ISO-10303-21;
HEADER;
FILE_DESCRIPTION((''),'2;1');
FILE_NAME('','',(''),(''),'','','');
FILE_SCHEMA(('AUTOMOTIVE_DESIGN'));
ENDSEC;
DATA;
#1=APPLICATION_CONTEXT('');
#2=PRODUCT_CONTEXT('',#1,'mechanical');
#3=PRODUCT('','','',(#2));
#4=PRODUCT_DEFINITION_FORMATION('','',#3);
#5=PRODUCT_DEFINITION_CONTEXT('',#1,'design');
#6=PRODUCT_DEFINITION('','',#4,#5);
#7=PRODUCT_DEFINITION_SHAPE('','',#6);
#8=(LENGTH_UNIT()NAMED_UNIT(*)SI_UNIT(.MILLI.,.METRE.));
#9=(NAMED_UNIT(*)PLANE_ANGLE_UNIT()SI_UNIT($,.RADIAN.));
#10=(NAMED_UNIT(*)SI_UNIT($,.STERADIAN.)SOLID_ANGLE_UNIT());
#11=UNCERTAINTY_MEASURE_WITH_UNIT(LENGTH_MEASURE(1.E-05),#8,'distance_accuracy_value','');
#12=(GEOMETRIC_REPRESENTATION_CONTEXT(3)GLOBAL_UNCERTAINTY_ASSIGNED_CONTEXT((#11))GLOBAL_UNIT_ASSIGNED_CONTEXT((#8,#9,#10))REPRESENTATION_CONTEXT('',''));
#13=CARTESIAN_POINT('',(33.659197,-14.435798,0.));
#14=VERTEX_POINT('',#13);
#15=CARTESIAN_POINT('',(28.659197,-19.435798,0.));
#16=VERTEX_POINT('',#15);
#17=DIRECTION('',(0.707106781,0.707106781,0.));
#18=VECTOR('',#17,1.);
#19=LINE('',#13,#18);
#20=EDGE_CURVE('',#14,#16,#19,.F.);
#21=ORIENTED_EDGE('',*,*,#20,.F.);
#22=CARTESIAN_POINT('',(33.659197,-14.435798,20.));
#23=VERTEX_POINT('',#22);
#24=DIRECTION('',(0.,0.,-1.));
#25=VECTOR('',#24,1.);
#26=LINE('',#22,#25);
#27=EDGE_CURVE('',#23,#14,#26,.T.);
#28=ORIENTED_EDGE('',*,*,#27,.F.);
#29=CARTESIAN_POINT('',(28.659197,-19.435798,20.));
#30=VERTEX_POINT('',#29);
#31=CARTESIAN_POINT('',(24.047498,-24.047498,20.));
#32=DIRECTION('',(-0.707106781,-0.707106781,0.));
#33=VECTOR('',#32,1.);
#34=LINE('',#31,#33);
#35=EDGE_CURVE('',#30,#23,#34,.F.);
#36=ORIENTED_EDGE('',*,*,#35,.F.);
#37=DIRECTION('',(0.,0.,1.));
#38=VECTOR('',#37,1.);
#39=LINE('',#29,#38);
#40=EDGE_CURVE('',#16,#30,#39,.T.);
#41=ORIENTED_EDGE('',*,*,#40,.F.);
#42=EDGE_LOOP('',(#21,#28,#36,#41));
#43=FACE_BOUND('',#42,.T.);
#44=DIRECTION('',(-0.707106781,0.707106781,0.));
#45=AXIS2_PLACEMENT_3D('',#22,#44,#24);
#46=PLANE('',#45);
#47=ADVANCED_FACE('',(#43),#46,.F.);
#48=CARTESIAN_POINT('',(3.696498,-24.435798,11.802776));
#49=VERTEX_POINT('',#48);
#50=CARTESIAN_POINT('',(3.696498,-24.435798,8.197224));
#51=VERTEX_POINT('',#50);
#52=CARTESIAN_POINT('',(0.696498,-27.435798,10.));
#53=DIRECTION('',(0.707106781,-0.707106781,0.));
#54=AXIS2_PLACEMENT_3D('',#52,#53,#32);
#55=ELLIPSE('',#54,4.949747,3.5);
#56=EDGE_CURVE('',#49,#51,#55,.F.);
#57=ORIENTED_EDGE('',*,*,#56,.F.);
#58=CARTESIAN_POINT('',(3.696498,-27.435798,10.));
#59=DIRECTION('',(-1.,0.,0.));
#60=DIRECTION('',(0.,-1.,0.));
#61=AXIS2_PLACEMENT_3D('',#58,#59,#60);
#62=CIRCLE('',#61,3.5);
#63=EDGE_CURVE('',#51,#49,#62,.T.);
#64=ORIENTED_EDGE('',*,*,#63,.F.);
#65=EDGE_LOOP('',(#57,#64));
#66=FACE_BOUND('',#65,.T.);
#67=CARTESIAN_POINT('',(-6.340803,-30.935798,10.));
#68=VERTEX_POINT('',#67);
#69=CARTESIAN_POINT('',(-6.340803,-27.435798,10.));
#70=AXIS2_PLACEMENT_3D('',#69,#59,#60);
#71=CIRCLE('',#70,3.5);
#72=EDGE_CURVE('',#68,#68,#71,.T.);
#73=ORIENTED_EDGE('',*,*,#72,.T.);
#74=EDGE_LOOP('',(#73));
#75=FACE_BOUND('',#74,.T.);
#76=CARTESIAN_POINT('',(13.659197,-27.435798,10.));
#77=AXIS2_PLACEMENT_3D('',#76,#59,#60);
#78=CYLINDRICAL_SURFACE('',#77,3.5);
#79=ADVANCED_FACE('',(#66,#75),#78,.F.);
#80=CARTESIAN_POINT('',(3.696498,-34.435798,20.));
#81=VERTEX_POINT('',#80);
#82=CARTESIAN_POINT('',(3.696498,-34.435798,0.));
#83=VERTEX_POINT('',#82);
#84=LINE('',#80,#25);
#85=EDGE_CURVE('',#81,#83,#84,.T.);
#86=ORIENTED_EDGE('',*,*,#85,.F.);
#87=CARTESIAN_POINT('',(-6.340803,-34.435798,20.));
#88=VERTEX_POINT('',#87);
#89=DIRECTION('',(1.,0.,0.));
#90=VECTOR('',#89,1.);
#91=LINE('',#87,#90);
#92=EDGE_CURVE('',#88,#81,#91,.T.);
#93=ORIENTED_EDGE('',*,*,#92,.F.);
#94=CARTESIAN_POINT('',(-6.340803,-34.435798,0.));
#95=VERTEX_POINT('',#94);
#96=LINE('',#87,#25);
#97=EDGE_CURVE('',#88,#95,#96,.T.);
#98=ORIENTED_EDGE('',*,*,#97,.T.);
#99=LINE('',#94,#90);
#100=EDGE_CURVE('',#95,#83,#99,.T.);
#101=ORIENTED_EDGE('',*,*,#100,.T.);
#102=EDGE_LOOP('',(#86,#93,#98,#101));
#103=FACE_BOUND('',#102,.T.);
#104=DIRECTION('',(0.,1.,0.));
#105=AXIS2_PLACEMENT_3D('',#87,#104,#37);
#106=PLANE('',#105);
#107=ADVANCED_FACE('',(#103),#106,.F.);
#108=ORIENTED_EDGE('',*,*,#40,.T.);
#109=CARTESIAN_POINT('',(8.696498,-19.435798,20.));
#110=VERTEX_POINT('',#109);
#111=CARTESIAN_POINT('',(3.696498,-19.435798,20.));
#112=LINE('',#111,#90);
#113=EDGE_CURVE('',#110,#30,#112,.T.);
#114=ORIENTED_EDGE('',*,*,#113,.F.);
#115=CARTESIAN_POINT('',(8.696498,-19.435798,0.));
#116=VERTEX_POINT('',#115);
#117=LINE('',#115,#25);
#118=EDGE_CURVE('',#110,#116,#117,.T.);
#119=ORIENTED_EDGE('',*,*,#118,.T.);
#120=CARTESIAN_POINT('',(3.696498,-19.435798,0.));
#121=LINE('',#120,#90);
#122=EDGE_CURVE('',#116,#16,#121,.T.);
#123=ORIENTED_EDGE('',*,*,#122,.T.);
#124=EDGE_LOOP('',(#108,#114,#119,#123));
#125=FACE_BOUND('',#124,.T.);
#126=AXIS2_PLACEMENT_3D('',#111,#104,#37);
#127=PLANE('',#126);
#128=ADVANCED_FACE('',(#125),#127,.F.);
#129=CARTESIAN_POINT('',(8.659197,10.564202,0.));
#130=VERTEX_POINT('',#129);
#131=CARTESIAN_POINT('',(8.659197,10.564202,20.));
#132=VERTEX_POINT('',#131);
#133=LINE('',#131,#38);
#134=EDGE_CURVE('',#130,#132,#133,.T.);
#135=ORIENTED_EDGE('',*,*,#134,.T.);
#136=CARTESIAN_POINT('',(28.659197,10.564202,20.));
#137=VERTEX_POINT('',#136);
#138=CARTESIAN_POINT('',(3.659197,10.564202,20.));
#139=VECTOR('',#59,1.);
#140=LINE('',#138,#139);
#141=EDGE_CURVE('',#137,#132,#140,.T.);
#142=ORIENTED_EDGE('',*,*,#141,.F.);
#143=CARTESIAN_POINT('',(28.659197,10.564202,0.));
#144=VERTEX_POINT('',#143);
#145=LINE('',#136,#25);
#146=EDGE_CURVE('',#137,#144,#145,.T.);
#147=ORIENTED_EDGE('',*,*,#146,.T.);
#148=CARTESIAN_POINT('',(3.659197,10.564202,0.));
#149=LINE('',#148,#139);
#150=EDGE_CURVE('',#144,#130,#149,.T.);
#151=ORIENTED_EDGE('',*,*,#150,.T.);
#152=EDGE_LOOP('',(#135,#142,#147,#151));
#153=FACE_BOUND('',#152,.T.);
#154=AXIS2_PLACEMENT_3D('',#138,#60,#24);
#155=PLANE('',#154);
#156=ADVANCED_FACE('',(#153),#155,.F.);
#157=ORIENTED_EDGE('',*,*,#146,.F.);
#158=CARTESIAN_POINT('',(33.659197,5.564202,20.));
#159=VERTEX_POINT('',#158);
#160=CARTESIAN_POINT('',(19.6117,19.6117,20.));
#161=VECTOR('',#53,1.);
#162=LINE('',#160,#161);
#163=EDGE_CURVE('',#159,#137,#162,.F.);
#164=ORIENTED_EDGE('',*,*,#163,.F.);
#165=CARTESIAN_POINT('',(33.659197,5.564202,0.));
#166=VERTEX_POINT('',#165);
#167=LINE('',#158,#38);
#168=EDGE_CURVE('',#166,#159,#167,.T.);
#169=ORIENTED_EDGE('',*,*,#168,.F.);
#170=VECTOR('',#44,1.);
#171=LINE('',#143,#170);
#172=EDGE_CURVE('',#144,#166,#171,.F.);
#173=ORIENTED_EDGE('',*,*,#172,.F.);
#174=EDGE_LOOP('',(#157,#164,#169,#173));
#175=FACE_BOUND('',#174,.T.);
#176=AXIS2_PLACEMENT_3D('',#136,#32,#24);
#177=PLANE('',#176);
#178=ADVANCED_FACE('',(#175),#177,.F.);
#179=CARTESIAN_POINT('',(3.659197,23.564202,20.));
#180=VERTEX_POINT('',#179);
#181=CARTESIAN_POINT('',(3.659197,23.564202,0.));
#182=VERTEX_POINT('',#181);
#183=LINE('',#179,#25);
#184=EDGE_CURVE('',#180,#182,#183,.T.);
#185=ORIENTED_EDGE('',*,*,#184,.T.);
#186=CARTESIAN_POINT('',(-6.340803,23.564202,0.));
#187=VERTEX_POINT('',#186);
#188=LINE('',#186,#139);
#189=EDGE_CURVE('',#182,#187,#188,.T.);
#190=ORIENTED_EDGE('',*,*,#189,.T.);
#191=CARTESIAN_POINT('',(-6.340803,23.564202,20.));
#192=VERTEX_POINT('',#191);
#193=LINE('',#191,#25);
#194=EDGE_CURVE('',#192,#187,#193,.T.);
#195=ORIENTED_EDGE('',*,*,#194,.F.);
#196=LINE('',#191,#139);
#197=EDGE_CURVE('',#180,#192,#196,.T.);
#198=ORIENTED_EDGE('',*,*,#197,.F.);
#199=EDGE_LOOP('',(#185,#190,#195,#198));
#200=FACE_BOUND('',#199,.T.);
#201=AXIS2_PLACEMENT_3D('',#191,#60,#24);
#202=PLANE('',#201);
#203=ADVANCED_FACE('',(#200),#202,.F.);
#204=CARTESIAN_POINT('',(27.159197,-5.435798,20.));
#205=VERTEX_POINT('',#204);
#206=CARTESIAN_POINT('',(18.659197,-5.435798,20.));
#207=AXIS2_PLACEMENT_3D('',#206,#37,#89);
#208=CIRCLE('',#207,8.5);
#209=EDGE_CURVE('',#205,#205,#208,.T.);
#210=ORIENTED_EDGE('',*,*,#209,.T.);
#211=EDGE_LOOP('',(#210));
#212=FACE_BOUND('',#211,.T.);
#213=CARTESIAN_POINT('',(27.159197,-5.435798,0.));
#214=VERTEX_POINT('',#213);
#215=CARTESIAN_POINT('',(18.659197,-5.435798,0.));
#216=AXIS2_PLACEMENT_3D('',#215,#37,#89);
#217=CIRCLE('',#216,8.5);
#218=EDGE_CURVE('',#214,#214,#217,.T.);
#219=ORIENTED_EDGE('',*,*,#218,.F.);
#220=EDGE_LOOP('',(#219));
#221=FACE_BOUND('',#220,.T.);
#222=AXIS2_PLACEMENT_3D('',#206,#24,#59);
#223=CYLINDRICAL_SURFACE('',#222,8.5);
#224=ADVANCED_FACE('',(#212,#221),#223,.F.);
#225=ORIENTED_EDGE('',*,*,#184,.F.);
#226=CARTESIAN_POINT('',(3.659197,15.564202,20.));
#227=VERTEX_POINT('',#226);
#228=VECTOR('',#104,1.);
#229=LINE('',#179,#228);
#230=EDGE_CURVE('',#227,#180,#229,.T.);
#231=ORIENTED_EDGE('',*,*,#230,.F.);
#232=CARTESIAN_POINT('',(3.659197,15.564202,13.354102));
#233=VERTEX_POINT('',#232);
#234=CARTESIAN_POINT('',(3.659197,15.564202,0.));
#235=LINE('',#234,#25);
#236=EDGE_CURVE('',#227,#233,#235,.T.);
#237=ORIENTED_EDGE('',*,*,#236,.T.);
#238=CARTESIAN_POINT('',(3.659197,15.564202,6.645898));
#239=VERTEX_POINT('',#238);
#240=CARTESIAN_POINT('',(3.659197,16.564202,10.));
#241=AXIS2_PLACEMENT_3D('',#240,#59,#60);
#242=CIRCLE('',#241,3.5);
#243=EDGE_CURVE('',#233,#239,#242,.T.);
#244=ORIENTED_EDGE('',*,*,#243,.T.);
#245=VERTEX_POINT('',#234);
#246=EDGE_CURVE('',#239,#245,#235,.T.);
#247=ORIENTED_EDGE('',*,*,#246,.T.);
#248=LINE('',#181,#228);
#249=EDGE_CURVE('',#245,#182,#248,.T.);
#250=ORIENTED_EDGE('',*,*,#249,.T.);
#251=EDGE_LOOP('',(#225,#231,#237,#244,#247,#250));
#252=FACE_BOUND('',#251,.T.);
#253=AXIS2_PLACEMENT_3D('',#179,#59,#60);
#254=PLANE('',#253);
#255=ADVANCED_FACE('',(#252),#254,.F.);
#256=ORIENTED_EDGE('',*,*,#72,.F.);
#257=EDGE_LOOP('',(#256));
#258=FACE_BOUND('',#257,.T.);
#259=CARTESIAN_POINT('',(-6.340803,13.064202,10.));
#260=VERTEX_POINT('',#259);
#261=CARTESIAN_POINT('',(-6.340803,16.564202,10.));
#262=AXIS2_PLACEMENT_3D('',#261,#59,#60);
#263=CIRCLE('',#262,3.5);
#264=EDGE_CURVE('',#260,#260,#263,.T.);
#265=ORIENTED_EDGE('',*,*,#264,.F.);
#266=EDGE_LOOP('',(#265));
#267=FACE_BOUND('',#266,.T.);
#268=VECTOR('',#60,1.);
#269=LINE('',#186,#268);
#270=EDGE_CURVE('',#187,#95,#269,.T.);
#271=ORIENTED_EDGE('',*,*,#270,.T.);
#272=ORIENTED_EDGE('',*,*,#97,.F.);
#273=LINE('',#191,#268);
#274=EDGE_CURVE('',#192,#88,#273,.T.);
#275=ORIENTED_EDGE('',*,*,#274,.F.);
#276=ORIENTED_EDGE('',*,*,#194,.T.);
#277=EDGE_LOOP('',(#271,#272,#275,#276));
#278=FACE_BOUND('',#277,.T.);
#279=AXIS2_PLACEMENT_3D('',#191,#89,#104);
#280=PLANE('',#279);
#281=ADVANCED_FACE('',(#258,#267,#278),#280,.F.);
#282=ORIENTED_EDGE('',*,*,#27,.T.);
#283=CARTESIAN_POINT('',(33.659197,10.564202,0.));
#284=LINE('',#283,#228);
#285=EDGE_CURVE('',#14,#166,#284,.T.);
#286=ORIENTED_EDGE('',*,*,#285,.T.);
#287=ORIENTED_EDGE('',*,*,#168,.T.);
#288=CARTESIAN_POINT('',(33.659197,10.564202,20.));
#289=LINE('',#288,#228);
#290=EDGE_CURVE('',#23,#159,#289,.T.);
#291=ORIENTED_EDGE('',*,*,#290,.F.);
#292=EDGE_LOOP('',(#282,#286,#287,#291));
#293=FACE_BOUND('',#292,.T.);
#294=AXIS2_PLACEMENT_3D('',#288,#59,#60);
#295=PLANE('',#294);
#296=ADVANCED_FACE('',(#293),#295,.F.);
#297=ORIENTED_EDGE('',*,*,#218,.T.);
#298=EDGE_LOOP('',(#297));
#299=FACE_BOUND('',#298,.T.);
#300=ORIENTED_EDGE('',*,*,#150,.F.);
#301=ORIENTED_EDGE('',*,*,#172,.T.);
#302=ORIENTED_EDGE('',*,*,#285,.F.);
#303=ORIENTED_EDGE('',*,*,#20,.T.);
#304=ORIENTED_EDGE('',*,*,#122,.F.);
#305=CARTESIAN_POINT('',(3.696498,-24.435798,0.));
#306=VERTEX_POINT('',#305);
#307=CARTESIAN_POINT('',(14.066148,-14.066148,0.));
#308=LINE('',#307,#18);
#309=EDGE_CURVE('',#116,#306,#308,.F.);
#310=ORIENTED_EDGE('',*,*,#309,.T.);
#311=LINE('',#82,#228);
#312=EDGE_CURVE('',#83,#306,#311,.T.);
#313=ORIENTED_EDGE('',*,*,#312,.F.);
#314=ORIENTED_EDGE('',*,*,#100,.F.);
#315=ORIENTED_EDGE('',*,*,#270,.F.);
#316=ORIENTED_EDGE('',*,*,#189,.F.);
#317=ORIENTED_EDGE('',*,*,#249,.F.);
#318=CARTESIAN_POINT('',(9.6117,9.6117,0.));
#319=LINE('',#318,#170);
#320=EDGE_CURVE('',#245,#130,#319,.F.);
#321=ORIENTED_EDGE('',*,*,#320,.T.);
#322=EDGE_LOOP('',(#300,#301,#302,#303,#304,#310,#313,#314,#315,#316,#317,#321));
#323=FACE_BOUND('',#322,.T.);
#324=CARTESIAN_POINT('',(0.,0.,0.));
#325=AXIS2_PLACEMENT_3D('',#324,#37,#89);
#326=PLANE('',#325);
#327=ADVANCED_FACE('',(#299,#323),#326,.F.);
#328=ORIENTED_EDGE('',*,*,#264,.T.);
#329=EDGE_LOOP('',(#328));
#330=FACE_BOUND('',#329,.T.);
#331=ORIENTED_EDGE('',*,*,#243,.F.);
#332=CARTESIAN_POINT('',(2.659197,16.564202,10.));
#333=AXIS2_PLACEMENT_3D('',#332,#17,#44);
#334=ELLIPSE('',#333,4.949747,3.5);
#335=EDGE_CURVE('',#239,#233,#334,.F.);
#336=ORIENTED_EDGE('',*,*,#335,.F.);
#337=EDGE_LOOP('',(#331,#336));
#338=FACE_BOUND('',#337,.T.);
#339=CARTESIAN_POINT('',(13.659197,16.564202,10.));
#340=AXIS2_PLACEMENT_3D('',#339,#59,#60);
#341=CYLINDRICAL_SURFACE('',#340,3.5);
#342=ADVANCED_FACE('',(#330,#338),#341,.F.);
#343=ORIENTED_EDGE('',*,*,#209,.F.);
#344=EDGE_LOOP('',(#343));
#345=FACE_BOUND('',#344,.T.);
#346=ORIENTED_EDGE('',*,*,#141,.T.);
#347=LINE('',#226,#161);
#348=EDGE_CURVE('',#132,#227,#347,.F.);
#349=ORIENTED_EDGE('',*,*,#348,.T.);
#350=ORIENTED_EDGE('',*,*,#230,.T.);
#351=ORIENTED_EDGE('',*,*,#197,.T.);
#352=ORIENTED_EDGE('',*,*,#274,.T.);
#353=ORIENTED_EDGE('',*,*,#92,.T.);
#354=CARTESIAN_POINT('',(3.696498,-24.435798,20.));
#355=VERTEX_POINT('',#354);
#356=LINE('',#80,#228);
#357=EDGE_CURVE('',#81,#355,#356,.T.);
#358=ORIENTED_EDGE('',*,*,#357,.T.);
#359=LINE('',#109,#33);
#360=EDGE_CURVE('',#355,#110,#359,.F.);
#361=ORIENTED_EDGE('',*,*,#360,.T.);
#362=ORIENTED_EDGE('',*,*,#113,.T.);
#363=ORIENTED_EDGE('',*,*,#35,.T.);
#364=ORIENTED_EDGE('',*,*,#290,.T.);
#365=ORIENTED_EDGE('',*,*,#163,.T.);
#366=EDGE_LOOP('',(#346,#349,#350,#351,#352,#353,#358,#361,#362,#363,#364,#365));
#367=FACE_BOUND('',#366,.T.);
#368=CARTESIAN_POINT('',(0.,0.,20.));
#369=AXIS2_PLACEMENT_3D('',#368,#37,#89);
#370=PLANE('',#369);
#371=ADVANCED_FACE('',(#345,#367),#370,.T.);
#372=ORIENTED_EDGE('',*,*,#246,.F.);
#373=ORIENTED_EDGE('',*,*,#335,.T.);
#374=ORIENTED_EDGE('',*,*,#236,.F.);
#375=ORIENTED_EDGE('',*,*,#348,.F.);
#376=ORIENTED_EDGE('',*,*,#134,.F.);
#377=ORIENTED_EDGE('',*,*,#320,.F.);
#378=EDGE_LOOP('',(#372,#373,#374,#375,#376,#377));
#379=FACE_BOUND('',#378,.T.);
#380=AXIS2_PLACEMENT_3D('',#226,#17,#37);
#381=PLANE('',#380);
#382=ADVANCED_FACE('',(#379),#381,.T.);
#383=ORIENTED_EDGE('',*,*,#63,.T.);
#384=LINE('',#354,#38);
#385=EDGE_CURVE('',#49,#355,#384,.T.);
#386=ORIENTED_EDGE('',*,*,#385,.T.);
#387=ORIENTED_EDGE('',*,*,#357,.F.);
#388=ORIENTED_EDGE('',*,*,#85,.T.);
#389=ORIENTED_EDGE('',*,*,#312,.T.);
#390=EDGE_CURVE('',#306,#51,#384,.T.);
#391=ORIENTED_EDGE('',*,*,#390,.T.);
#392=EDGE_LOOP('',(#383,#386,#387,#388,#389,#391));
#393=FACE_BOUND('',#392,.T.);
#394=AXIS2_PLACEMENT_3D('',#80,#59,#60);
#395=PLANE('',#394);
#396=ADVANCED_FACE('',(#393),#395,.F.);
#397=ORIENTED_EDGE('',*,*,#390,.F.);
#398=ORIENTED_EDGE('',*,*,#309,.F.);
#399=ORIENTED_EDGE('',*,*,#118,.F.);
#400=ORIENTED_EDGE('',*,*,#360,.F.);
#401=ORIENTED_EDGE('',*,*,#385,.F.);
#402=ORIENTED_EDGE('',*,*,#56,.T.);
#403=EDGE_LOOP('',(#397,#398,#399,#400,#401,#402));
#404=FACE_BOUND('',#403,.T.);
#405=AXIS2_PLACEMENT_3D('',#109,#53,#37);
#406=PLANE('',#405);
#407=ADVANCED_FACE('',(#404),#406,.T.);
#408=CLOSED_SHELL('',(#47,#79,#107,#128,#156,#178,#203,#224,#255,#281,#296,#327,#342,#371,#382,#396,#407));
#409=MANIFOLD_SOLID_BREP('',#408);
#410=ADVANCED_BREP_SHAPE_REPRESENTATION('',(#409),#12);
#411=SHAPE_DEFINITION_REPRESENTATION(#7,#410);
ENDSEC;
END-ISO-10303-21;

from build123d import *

# Parameters (mm, degrees)
SKETCH1_R           = 8.5
BOSS_EXTRUDE1_DEPTH = 20
CHAMFER1_SIZE       = 5
SKETCH2_R           = 3.5
CUT_EXTRUDE1_DEPTH  = 20
LPATTERN1_COUNT     = 200
LPATTERN1_PITCH     = 44


with BuildPart() as part:
    # Sketch1 → Boss-Extrude1 (new body)
    with BuildSketch(Plane.XY):
        Polygon((3.696498054, -34.435797665), (3.696498054, -19.435797665), (33.659197457, -19.435797665), (33.659197457, 10.564202335), (3.659197457, 10.564202335), (3.659197457, 23.564202335), (-6.340802543, 23.564202335), (-6.340802543, -34.435797665), align=None)
        with Locations((18.659197457, -5.435797665)):
            Circle(SKETCH1_R, mode=Mode.SUBTRACT)
    extrude(amount=BOSS_EXTRUDE1_DEPTH)

    # Chamfer1
    chamfer1_edges = [part.edges().sort_by_distance(p)[0] for p in [
        (3.659197457, 10.564202335, 10),
        (33.659197457, 10.564202335, 10),
        (33.659197457, -19.435797665, 10),
        (3.696498054, -19.435797665, 10),
    ]]
    chamfer(chamfer1_edges, length=CHAMFER1_SIZE)

    # Sketch2 → Cut-Extrude1 (cut)
    with BuildSketch(Plane.ZY.offset(6.340802543)):
        with Locations((10, 16.564202335)):
            Circle(SKETCH2_R)
    cut_extrude1 = extrude(amount=-CUT_EXTRUDE1_DEPTH, mode=Mode.SUBTRACT)

    # LPattern1: Cut-Extrude1 ×200
    with Locations(*[(0, -i * LPATTERN1_PITCH, 0) for i in range(1, LPATTERN1_COUNT)]):
        add(cut_extrude1, mode=Mode.SUBTRACT)


solid = part.part
